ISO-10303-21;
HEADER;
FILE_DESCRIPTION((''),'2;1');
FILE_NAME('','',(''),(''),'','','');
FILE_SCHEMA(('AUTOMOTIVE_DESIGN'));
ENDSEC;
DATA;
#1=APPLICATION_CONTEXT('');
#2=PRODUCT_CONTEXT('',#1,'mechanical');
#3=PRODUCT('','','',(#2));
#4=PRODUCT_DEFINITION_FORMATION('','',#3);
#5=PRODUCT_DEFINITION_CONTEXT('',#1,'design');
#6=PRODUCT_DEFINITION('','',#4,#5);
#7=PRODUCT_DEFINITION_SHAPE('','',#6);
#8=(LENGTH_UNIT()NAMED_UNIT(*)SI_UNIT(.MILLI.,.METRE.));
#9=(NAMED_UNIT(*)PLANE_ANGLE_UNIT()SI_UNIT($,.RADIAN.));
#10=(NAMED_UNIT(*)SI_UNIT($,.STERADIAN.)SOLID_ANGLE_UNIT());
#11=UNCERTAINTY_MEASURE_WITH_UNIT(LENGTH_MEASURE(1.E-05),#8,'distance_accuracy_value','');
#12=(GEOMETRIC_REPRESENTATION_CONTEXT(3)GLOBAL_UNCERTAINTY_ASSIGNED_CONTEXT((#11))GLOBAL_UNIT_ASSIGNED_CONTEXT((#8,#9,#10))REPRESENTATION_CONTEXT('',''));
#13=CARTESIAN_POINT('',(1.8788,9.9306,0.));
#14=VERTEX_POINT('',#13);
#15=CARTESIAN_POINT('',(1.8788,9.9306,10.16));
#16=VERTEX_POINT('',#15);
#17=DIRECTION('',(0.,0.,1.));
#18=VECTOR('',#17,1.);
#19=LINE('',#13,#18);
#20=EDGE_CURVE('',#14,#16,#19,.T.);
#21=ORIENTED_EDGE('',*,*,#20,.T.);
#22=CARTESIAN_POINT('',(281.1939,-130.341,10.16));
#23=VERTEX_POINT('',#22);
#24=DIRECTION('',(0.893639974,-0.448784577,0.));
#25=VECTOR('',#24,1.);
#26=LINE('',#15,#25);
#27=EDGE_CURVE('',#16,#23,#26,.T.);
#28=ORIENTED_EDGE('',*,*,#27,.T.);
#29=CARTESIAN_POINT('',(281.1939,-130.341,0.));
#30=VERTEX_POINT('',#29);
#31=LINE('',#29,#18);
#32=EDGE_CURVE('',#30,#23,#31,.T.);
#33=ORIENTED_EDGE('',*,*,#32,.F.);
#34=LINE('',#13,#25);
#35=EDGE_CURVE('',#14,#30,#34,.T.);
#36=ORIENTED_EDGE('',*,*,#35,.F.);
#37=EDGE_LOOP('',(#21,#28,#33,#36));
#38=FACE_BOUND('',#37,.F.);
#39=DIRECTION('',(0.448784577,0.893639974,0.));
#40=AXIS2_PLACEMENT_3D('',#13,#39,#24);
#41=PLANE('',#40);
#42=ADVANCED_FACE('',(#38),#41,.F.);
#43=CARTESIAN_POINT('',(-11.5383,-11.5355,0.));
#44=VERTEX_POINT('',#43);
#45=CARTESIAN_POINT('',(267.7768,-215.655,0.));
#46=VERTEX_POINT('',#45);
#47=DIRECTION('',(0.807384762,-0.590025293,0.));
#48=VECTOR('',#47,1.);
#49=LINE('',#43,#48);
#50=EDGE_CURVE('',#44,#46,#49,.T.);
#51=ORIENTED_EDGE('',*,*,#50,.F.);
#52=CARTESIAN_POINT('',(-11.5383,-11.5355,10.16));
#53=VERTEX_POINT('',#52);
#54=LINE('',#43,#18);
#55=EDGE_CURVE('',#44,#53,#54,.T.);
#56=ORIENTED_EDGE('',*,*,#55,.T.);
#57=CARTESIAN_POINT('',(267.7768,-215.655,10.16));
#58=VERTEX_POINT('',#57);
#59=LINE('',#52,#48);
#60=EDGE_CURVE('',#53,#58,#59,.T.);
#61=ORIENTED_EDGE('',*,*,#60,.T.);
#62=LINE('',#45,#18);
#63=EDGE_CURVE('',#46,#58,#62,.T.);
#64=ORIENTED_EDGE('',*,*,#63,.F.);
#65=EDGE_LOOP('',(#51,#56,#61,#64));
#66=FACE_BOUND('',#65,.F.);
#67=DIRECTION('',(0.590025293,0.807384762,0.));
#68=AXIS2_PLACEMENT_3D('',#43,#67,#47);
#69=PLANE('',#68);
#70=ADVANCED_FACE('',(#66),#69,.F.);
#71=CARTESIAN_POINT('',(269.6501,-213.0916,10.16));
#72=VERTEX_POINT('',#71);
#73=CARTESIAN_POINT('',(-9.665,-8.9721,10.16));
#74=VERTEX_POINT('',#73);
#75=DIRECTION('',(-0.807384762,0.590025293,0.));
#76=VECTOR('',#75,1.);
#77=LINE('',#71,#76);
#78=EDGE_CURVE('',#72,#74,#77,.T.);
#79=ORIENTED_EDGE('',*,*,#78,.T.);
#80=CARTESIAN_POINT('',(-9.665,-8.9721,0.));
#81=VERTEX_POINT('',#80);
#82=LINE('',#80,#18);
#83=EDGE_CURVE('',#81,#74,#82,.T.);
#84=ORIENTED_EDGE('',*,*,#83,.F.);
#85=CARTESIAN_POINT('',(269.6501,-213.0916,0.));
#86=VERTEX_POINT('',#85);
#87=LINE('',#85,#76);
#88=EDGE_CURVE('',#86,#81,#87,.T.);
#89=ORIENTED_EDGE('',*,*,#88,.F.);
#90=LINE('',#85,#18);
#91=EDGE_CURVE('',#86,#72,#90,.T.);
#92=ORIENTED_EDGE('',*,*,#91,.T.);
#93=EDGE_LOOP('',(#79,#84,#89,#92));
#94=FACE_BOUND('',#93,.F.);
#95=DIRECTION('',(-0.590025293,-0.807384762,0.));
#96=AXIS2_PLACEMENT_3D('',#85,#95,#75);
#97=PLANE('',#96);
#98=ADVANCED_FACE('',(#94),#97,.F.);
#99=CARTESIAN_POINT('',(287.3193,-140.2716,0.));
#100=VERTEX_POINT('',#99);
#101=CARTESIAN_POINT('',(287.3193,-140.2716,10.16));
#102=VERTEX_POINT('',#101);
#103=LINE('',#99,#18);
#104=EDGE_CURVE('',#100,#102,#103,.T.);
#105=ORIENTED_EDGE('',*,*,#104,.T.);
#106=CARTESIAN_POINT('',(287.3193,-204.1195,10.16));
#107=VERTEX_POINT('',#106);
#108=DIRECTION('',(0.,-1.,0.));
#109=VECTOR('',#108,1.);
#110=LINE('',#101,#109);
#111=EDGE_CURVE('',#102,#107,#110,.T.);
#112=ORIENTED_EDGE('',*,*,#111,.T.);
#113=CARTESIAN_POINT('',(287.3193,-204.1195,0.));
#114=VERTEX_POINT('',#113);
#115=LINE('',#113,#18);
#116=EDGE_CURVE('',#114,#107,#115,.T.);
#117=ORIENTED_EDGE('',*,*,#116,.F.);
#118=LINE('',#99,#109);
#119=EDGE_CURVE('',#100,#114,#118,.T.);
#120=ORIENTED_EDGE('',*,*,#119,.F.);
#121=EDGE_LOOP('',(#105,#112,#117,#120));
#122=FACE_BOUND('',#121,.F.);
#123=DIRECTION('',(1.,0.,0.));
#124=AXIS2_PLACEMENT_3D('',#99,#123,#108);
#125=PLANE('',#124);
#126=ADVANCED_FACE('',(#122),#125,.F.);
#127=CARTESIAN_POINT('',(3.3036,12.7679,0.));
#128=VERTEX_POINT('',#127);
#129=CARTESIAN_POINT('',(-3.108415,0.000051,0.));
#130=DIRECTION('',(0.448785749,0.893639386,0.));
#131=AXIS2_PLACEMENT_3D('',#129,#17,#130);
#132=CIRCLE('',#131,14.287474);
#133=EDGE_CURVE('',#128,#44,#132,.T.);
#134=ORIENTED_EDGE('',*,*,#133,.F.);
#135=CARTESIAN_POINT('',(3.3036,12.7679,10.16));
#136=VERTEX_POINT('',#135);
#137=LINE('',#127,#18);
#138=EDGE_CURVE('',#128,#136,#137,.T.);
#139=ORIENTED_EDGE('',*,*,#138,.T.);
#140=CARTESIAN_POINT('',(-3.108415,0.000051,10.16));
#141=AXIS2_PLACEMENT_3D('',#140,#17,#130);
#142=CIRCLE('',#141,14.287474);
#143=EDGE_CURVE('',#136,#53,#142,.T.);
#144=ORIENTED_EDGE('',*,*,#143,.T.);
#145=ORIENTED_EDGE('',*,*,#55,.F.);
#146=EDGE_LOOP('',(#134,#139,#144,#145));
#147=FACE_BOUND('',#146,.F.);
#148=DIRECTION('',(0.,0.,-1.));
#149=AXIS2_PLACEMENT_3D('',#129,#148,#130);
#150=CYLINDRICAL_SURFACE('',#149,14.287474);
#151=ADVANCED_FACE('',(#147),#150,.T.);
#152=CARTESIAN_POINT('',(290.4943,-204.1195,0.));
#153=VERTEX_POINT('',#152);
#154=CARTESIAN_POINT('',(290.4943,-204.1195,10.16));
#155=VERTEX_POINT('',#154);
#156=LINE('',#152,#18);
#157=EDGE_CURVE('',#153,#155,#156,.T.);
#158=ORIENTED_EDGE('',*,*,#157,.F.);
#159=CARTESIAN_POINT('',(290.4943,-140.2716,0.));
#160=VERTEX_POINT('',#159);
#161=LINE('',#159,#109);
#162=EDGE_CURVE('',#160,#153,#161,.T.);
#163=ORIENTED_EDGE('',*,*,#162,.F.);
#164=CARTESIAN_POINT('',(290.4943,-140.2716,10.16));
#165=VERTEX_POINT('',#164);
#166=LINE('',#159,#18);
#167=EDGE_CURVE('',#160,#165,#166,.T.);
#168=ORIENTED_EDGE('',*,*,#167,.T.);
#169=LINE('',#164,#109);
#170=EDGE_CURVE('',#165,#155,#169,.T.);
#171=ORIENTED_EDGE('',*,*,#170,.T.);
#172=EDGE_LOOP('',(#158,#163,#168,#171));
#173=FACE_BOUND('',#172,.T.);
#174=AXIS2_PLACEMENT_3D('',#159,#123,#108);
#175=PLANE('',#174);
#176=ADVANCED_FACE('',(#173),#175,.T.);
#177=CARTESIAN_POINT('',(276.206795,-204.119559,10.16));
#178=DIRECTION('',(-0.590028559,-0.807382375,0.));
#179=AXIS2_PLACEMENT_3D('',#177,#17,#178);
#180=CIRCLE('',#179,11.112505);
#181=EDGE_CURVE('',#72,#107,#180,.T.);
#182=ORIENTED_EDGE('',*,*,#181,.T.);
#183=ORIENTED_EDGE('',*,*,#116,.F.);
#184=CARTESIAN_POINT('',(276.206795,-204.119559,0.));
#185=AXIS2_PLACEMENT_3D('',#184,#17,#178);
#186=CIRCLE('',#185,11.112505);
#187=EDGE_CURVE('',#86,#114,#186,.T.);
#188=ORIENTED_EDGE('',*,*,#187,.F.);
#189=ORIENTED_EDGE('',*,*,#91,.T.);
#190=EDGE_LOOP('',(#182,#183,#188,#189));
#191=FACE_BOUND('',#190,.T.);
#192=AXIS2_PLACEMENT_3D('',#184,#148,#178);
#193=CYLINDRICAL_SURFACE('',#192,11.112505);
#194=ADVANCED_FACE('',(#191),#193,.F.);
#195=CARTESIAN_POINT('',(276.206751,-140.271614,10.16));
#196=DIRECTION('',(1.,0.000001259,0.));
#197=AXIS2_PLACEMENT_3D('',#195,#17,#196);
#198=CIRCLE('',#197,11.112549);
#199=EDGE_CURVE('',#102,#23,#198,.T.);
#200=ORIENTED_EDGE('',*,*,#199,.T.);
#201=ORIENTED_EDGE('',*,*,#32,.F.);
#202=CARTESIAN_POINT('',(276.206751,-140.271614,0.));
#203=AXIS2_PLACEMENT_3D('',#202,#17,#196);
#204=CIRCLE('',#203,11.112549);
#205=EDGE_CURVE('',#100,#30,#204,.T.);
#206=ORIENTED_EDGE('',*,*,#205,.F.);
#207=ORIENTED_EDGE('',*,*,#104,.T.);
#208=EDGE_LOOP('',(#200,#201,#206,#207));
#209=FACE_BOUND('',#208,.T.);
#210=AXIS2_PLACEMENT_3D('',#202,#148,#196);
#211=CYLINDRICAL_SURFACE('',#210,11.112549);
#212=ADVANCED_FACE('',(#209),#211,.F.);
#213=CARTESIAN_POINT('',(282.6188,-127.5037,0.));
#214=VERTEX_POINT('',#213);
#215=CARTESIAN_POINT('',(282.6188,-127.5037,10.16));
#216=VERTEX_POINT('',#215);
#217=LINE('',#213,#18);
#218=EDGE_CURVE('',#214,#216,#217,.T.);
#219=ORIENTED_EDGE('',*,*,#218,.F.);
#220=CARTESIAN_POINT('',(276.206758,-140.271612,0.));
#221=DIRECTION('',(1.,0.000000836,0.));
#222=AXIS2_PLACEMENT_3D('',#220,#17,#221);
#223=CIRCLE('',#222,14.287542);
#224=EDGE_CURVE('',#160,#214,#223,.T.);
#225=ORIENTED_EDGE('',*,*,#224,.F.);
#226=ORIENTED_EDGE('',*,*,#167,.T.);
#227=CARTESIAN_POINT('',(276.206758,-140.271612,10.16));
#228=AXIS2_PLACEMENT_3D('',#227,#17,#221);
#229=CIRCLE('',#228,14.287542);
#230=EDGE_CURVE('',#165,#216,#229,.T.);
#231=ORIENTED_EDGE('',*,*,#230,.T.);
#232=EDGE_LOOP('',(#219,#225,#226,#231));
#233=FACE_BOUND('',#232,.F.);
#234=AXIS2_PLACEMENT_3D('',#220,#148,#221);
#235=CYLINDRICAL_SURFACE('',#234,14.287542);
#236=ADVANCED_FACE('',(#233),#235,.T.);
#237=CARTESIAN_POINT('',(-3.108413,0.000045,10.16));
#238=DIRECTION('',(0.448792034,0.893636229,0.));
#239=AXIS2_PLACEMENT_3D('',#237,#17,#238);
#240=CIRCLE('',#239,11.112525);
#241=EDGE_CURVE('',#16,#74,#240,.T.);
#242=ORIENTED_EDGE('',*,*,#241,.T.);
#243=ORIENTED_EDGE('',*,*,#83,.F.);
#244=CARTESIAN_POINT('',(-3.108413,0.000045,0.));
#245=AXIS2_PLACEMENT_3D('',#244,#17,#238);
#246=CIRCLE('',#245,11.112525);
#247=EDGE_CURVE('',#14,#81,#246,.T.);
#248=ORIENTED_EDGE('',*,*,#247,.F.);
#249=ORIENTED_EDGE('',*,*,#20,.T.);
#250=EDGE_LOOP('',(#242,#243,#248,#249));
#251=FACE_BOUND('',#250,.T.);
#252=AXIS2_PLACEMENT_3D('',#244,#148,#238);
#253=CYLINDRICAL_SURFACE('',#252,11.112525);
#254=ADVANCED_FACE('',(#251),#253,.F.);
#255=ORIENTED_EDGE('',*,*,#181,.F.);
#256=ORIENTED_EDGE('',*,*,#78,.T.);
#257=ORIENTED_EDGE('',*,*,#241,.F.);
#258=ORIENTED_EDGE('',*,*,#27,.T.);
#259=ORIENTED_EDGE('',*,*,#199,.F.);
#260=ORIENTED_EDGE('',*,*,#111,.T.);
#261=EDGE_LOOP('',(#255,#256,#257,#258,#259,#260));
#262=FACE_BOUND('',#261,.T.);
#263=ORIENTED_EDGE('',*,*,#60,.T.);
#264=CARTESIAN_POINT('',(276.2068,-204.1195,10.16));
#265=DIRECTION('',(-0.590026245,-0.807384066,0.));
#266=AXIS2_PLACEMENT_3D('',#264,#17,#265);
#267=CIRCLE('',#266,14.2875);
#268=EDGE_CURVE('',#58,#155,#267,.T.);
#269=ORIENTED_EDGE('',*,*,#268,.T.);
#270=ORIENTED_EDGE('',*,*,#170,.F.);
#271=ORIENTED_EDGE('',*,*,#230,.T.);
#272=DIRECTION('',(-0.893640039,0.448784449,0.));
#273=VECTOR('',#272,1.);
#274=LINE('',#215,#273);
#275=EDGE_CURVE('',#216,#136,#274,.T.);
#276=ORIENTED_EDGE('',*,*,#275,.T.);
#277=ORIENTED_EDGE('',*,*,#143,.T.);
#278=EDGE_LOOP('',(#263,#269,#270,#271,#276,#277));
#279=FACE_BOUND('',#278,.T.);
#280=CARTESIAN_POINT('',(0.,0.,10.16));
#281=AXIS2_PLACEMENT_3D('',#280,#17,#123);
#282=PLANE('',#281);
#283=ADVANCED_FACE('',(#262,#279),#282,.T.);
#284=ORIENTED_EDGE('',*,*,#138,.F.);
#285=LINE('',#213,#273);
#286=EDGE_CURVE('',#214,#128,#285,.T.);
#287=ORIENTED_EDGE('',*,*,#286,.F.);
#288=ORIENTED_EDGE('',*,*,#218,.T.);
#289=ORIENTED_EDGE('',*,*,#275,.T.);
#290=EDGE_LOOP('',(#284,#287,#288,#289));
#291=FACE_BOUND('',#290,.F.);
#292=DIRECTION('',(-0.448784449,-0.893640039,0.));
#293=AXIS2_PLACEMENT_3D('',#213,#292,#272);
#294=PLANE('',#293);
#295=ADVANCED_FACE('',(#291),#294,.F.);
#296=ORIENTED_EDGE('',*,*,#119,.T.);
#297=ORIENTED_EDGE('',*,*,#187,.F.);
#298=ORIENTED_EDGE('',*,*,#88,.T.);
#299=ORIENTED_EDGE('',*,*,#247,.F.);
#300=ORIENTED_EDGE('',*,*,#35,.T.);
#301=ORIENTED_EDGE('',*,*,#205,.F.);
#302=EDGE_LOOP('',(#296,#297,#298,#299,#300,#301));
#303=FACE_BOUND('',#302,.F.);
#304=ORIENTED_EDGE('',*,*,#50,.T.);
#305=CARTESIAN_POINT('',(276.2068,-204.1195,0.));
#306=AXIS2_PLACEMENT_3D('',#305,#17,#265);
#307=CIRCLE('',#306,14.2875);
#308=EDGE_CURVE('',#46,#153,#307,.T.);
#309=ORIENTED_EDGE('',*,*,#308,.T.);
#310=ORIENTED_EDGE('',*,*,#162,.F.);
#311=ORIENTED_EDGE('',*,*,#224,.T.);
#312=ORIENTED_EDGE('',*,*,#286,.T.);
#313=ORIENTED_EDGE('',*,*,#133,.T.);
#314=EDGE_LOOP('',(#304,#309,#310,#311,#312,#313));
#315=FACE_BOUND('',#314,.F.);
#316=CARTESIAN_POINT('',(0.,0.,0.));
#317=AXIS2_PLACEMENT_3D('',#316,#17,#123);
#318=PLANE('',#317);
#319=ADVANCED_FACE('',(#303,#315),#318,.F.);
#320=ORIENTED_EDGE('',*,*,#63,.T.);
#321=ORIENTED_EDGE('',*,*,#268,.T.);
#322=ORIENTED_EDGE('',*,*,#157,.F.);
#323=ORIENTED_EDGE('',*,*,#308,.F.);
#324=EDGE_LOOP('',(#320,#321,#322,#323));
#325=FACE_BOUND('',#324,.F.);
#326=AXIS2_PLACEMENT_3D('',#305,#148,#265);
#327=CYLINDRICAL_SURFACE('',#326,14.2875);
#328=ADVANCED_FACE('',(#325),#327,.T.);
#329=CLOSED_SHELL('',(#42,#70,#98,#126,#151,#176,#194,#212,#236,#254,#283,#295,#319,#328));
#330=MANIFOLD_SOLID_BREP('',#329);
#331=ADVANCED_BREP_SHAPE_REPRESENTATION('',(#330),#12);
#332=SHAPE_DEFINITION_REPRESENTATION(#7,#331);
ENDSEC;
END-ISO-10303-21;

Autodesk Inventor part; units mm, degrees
ref_plane "YZ Plane" through (0, 0, 0) normal (1, 0, 0) x (0, 1, 0)
ref_plane "XZ Plane" through (0, 0, 0) normal (0, 1, 0) x (-1, 0, 0)
ref_plane "XY Plane" through (0, 0, 0) normal (0, 0, 1) x (1, 0, 0)
sketch "Sketch1" plane through (0, 0, 0) normal (0, 0, 1) x (1, 0, 0)
  arc A0 (1.8788, 9.9306) -> (-9.665, -8.9721) centre (-3.1084, 0) ccw
  arc A1 (287.3193, -140.2716) -> (281.1939, -130.341) centre (276.2068, -140.2716) ccw
  arc A2 (269.6501, -213.0916) -> (287.3193, -204.1195) centre (276.2068, -204.1195) ccw
  line L0 (1.8788, 9.9306) -> (281.1939, -130.341)
  line L1 (287.3193, -140.2716) -> (287.3193, -204.1195)
  line L2 (269.6501, -213.0916) -> (-9.665, -8.9721)
  arc A3 (3.3036, 12.7679) -> (-11.5383, -11.5355) centre (-3.1084, 0) ccw
  arc A4 (290.4943, -140.2716) -> (282.6188, -127.5037) centre (276.2068, -140.2716) ccw
  arc A5 (267.7768, -215.655) -> (290.4943, -204.1195) centre (276.2068, -204.1195) ccw
  line L3 (290.4943, -140.2716) -> (290.4943, -204.1195)
  line L4 (-11.5383, -11.5355) -> (267.7768, -215.655)
  line L5 (282.6188, -127.5037) -> (3.3036, 12.7679)
  point P0 (0, 0)
  dimension "d0" = 11.1125
  dimension "d1" = 3.175
extrude "Extrusion1" add sketch "Sketch1" along normal blind 10.16
properties part number "ShooterBelt" material "Rubber"
